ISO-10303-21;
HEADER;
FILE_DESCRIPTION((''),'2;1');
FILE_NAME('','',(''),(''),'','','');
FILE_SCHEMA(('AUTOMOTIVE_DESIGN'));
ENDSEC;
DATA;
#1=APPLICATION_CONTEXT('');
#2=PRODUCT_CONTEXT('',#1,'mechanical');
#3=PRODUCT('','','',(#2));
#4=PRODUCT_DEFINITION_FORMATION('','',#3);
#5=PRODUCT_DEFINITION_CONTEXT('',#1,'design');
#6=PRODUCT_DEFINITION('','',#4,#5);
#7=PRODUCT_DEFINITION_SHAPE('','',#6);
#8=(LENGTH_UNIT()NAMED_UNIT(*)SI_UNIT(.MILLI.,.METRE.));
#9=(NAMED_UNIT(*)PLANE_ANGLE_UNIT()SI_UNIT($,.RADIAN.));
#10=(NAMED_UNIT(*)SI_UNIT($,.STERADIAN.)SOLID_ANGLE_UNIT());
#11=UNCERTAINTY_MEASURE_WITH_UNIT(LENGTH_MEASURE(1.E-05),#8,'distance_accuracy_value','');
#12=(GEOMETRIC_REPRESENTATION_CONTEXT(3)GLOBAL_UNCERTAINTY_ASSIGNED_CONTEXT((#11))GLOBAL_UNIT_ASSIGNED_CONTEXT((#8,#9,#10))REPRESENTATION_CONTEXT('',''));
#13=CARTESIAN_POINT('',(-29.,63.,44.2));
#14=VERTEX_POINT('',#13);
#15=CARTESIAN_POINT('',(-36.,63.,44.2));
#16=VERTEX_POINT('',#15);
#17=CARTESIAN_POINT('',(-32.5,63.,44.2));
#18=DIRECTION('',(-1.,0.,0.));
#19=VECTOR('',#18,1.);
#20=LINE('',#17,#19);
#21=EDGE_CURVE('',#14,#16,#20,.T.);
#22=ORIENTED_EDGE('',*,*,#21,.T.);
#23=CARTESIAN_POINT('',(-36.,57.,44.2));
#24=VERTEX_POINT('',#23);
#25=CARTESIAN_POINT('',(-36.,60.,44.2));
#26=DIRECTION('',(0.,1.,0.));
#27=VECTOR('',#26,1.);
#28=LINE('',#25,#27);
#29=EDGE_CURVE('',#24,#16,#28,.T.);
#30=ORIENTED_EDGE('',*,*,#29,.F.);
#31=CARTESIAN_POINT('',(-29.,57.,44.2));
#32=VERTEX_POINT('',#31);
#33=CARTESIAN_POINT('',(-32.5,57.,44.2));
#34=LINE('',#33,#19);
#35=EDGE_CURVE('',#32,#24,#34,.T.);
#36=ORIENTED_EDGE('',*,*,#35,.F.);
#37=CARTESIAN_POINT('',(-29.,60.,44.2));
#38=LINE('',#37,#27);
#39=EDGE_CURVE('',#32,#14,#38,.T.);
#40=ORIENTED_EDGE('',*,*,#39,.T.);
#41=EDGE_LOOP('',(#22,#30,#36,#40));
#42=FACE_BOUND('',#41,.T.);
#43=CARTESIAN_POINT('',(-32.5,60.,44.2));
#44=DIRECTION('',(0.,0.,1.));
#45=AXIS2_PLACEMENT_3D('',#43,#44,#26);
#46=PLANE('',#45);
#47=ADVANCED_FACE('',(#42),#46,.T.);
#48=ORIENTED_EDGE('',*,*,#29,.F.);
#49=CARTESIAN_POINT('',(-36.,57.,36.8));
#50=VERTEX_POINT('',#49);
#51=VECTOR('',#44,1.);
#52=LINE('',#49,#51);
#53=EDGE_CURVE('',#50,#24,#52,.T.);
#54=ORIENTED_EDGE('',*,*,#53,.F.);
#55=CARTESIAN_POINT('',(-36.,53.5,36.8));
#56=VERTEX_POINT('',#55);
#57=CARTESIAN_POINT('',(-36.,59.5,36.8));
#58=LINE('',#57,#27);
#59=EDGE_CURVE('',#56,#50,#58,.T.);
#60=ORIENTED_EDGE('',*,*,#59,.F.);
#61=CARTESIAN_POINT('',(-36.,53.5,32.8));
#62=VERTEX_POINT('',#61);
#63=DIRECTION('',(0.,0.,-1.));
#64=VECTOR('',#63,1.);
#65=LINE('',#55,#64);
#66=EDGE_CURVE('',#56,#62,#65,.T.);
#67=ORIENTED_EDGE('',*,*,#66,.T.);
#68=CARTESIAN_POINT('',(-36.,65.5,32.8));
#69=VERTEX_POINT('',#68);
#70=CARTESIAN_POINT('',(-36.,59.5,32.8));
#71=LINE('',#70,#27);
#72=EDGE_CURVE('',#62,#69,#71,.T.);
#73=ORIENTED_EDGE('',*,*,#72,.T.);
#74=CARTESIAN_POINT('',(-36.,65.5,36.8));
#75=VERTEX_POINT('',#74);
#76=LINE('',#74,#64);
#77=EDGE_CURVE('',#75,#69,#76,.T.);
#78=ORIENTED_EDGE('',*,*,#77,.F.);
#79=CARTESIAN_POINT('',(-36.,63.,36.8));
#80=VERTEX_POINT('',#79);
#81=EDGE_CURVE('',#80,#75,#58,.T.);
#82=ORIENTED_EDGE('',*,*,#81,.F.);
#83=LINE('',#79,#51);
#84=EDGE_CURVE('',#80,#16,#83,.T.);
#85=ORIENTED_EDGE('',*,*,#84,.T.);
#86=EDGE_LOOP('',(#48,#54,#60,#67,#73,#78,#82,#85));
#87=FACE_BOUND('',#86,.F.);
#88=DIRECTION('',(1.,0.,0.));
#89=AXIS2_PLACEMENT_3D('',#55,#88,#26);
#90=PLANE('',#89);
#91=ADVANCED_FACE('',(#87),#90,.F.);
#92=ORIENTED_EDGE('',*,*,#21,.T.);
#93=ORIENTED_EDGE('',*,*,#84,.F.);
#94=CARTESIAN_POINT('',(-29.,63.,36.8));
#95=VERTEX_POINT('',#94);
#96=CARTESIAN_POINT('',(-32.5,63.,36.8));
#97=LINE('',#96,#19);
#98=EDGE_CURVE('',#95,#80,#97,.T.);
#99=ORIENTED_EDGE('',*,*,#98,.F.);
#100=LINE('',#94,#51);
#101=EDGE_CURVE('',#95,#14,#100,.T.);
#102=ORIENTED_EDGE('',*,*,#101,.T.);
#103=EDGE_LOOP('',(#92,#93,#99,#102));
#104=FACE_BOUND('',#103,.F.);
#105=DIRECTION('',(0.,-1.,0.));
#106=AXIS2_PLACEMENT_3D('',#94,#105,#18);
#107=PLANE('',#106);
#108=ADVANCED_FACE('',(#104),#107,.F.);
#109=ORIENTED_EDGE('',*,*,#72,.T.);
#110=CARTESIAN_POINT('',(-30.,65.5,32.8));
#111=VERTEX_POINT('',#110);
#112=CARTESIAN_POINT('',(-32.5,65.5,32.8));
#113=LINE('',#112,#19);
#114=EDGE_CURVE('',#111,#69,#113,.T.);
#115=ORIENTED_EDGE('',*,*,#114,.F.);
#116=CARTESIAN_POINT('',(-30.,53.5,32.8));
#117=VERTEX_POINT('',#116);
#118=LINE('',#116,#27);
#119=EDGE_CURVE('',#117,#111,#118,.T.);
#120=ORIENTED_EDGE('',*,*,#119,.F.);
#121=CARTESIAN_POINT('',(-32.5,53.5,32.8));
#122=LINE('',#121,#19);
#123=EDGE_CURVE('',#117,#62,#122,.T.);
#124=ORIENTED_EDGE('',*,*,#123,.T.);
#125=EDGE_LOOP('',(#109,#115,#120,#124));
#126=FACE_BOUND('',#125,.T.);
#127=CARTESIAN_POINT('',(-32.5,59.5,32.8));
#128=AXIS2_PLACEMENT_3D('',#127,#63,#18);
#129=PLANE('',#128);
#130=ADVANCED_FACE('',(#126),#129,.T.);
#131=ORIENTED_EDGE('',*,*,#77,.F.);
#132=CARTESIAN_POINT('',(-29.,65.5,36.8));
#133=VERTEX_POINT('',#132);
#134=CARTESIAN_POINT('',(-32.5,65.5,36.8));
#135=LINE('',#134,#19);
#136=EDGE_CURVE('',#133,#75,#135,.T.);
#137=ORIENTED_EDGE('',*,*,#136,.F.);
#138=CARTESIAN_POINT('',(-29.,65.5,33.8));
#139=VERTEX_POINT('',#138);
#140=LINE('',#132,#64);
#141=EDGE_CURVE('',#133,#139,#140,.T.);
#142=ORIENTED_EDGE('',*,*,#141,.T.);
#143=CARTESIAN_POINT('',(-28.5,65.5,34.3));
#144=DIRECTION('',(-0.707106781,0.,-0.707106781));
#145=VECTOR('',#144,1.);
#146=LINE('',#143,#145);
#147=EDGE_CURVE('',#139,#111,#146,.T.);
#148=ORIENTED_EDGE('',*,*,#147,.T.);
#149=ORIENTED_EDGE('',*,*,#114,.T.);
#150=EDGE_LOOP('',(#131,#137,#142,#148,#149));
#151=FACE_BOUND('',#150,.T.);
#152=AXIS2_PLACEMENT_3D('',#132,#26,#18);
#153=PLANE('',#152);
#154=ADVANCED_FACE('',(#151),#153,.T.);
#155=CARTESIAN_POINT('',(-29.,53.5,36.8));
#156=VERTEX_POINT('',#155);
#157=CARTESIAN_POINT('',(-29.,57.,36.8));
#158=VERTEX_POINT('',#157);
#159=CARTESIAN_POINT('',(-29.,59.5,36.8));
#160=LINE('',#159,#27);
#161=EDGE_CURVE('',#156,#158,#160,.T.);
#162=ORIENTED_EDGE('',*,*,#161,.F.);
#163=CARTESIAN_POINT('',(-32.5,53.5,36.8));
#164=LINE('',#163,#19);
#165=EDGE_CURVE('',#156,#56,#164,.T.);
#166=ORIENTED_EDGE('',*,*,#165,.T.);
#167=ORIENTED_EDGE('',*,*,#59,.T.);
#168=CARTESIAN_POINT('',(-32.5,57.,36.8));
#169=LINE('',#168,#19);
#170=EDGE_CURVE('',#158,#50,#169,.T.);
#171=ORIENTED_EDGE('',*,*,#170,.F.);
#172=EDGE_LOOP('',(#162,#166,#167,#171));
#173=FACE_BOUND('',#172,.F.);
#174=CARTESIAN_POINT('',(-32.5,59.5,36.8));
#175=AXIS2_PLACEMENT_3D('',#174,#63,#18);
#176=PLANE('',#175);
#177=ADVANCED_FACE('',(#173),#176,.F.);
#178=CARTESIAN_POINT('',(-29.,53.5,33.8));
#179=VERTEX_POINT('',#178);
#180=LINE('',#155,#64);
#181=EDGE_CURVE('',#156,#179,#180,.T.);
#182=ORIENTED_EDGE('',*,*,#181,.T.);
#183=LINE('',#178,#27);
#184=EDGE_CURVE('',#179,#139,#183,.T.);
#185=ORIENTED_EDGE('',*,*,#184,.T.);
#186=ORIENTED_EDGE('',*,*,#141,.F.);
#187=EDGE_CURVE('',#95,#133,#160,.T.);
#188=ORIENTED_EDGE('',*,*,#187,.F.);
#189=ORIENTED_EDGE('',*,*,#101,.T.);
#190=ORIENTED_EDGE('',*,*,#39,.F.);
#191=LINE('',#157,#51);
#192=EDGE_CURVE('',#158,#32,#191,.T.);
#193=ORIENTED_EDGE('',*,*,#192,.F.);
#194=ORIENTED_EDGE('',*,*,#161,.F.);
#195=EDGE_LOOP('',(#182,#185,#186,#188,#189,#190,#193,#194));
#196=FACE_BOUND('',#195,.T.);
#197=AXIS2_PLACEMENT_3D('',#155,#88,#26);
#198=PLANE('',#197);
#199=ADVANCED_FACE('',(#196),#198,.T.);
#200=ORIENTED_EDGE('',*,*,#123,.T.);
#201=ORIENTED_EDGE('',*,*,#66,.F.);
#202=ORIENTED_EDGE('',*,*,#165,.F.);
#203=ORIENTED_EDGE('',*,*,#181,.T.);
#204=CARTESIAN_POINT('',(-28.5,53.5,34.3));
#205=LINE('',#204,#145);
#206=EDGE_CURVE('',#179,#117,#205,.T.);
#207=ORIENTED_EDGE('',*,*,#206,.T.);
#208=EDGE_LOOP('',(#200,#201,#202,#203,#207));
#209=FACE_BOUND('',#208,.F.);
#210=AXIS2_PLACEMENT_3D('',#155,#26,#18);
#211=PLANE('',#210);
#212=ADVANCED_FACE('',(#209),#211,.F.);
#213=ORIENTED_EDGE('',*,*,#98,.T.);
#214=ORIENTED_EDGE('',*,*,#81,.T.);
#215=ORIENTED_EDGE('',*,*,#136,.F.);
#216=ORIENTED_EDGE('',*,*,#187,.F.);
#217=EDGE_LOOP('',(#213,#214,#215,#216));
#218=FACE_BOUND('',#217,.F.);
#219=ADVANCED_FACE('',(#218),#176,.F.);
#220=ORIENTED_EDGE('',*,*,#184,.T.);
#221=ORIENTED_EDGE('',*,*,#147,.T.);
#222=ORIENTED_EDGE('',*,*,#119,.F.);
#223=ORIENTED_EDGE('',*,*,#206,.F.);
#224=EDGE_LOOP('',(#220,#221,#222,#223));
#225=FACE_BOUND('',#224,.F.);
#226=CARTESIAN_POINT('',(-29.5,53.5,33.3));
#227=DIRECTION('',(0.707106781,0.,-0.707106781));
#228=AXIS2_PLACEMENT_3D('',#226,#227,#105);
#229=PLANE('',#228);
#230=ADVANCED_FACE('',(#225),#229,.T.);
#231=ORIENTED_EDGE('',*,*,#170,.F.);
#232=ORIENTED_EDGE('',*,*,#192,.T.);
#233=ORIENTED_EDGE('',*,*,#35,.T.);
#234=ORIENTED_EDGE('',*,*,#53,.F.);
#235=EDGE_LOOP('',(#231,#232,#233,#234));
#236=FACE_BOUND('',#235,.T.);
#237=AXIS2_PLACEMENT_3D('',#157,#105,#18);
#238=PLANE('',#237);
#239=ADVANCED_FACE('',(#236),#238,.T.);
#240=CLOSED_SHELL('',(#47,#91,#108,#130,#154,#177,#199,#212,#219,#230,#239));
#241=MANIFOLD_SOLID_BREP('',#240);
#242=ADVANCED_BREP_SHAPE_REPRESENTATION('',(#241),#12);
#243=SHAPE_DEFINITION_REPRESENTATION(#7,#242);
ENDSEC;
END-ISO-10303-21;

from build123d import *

# Parameters (mm, degrees)
BOX046_W                     = 6
BOX046_H                     = 7
BOX046_DEPTH                 = 7.4
BOX045_W                     = 7
BOX045_H                     = 12
BOX045_DEPTH                 = 4
CHAMFER_SIZE                 = 1
CHAMFER_PLACEMENT_ANGLE      = 90
FUSION002026_PLACEMENT_ANGLE = 90


with BuildPart() as cubo046:
    # Box046 → Box046 (new body)
    with BuildSketch(Plane(origin=(-13, -15, 2.5), x_dir=(1, 0, 0), z_dir=(0, 0, 1))):
        with Locations((3, 3.5)):
            Rectangle(BOX046_W, BOX046_H)
    extrude(amount=BOX046_DEPTH)


with BuildPart() as fusion002026:
    # Box045 → Box045 (new body)
    with BuildSketch(Plane(origin=(-13, -7, 2), x_dir=(1, 0, 0), z_dir=(0, 0, -1))):
        with Locations((3.5, 6)):
            Rectangle(BOX045_W, BOX045_H)
    extrude(amount=BOX045_DEPTH)

    # Chamfer
    chamfer_edges = [fusion002026.edges().sort_by_distance(p)[0] for p in [
        (-13, -13, -2),
    ]]
    chamfer(chamfer_edges, length=CHAMFER_SIZE)


with BuildPart() as fusion002026_1:
    # Chamfer placement: moved
    add(fusion002026.part.moved(Location((-23.5, -2, 0.5))).rotate(Axis((-23.5, -2, 0.5), (0, 0, 1)), CHAMFER_PLACEMENT_ANGLE))

    # Fusion002026: union Cubo046
    add(cubo046.part)


with BuildPart() as fusion002026_2:
    # Fusion002026 placement: moved
    add(fusion002026_1.part.moved(Location((-44, 70, 34.3))).rotate(Axis((-44, 70, 34.3), (0, 0, 1)), FUSION002026_PLACEMENT_ANGLE))


solid = fusion002026_2.part
